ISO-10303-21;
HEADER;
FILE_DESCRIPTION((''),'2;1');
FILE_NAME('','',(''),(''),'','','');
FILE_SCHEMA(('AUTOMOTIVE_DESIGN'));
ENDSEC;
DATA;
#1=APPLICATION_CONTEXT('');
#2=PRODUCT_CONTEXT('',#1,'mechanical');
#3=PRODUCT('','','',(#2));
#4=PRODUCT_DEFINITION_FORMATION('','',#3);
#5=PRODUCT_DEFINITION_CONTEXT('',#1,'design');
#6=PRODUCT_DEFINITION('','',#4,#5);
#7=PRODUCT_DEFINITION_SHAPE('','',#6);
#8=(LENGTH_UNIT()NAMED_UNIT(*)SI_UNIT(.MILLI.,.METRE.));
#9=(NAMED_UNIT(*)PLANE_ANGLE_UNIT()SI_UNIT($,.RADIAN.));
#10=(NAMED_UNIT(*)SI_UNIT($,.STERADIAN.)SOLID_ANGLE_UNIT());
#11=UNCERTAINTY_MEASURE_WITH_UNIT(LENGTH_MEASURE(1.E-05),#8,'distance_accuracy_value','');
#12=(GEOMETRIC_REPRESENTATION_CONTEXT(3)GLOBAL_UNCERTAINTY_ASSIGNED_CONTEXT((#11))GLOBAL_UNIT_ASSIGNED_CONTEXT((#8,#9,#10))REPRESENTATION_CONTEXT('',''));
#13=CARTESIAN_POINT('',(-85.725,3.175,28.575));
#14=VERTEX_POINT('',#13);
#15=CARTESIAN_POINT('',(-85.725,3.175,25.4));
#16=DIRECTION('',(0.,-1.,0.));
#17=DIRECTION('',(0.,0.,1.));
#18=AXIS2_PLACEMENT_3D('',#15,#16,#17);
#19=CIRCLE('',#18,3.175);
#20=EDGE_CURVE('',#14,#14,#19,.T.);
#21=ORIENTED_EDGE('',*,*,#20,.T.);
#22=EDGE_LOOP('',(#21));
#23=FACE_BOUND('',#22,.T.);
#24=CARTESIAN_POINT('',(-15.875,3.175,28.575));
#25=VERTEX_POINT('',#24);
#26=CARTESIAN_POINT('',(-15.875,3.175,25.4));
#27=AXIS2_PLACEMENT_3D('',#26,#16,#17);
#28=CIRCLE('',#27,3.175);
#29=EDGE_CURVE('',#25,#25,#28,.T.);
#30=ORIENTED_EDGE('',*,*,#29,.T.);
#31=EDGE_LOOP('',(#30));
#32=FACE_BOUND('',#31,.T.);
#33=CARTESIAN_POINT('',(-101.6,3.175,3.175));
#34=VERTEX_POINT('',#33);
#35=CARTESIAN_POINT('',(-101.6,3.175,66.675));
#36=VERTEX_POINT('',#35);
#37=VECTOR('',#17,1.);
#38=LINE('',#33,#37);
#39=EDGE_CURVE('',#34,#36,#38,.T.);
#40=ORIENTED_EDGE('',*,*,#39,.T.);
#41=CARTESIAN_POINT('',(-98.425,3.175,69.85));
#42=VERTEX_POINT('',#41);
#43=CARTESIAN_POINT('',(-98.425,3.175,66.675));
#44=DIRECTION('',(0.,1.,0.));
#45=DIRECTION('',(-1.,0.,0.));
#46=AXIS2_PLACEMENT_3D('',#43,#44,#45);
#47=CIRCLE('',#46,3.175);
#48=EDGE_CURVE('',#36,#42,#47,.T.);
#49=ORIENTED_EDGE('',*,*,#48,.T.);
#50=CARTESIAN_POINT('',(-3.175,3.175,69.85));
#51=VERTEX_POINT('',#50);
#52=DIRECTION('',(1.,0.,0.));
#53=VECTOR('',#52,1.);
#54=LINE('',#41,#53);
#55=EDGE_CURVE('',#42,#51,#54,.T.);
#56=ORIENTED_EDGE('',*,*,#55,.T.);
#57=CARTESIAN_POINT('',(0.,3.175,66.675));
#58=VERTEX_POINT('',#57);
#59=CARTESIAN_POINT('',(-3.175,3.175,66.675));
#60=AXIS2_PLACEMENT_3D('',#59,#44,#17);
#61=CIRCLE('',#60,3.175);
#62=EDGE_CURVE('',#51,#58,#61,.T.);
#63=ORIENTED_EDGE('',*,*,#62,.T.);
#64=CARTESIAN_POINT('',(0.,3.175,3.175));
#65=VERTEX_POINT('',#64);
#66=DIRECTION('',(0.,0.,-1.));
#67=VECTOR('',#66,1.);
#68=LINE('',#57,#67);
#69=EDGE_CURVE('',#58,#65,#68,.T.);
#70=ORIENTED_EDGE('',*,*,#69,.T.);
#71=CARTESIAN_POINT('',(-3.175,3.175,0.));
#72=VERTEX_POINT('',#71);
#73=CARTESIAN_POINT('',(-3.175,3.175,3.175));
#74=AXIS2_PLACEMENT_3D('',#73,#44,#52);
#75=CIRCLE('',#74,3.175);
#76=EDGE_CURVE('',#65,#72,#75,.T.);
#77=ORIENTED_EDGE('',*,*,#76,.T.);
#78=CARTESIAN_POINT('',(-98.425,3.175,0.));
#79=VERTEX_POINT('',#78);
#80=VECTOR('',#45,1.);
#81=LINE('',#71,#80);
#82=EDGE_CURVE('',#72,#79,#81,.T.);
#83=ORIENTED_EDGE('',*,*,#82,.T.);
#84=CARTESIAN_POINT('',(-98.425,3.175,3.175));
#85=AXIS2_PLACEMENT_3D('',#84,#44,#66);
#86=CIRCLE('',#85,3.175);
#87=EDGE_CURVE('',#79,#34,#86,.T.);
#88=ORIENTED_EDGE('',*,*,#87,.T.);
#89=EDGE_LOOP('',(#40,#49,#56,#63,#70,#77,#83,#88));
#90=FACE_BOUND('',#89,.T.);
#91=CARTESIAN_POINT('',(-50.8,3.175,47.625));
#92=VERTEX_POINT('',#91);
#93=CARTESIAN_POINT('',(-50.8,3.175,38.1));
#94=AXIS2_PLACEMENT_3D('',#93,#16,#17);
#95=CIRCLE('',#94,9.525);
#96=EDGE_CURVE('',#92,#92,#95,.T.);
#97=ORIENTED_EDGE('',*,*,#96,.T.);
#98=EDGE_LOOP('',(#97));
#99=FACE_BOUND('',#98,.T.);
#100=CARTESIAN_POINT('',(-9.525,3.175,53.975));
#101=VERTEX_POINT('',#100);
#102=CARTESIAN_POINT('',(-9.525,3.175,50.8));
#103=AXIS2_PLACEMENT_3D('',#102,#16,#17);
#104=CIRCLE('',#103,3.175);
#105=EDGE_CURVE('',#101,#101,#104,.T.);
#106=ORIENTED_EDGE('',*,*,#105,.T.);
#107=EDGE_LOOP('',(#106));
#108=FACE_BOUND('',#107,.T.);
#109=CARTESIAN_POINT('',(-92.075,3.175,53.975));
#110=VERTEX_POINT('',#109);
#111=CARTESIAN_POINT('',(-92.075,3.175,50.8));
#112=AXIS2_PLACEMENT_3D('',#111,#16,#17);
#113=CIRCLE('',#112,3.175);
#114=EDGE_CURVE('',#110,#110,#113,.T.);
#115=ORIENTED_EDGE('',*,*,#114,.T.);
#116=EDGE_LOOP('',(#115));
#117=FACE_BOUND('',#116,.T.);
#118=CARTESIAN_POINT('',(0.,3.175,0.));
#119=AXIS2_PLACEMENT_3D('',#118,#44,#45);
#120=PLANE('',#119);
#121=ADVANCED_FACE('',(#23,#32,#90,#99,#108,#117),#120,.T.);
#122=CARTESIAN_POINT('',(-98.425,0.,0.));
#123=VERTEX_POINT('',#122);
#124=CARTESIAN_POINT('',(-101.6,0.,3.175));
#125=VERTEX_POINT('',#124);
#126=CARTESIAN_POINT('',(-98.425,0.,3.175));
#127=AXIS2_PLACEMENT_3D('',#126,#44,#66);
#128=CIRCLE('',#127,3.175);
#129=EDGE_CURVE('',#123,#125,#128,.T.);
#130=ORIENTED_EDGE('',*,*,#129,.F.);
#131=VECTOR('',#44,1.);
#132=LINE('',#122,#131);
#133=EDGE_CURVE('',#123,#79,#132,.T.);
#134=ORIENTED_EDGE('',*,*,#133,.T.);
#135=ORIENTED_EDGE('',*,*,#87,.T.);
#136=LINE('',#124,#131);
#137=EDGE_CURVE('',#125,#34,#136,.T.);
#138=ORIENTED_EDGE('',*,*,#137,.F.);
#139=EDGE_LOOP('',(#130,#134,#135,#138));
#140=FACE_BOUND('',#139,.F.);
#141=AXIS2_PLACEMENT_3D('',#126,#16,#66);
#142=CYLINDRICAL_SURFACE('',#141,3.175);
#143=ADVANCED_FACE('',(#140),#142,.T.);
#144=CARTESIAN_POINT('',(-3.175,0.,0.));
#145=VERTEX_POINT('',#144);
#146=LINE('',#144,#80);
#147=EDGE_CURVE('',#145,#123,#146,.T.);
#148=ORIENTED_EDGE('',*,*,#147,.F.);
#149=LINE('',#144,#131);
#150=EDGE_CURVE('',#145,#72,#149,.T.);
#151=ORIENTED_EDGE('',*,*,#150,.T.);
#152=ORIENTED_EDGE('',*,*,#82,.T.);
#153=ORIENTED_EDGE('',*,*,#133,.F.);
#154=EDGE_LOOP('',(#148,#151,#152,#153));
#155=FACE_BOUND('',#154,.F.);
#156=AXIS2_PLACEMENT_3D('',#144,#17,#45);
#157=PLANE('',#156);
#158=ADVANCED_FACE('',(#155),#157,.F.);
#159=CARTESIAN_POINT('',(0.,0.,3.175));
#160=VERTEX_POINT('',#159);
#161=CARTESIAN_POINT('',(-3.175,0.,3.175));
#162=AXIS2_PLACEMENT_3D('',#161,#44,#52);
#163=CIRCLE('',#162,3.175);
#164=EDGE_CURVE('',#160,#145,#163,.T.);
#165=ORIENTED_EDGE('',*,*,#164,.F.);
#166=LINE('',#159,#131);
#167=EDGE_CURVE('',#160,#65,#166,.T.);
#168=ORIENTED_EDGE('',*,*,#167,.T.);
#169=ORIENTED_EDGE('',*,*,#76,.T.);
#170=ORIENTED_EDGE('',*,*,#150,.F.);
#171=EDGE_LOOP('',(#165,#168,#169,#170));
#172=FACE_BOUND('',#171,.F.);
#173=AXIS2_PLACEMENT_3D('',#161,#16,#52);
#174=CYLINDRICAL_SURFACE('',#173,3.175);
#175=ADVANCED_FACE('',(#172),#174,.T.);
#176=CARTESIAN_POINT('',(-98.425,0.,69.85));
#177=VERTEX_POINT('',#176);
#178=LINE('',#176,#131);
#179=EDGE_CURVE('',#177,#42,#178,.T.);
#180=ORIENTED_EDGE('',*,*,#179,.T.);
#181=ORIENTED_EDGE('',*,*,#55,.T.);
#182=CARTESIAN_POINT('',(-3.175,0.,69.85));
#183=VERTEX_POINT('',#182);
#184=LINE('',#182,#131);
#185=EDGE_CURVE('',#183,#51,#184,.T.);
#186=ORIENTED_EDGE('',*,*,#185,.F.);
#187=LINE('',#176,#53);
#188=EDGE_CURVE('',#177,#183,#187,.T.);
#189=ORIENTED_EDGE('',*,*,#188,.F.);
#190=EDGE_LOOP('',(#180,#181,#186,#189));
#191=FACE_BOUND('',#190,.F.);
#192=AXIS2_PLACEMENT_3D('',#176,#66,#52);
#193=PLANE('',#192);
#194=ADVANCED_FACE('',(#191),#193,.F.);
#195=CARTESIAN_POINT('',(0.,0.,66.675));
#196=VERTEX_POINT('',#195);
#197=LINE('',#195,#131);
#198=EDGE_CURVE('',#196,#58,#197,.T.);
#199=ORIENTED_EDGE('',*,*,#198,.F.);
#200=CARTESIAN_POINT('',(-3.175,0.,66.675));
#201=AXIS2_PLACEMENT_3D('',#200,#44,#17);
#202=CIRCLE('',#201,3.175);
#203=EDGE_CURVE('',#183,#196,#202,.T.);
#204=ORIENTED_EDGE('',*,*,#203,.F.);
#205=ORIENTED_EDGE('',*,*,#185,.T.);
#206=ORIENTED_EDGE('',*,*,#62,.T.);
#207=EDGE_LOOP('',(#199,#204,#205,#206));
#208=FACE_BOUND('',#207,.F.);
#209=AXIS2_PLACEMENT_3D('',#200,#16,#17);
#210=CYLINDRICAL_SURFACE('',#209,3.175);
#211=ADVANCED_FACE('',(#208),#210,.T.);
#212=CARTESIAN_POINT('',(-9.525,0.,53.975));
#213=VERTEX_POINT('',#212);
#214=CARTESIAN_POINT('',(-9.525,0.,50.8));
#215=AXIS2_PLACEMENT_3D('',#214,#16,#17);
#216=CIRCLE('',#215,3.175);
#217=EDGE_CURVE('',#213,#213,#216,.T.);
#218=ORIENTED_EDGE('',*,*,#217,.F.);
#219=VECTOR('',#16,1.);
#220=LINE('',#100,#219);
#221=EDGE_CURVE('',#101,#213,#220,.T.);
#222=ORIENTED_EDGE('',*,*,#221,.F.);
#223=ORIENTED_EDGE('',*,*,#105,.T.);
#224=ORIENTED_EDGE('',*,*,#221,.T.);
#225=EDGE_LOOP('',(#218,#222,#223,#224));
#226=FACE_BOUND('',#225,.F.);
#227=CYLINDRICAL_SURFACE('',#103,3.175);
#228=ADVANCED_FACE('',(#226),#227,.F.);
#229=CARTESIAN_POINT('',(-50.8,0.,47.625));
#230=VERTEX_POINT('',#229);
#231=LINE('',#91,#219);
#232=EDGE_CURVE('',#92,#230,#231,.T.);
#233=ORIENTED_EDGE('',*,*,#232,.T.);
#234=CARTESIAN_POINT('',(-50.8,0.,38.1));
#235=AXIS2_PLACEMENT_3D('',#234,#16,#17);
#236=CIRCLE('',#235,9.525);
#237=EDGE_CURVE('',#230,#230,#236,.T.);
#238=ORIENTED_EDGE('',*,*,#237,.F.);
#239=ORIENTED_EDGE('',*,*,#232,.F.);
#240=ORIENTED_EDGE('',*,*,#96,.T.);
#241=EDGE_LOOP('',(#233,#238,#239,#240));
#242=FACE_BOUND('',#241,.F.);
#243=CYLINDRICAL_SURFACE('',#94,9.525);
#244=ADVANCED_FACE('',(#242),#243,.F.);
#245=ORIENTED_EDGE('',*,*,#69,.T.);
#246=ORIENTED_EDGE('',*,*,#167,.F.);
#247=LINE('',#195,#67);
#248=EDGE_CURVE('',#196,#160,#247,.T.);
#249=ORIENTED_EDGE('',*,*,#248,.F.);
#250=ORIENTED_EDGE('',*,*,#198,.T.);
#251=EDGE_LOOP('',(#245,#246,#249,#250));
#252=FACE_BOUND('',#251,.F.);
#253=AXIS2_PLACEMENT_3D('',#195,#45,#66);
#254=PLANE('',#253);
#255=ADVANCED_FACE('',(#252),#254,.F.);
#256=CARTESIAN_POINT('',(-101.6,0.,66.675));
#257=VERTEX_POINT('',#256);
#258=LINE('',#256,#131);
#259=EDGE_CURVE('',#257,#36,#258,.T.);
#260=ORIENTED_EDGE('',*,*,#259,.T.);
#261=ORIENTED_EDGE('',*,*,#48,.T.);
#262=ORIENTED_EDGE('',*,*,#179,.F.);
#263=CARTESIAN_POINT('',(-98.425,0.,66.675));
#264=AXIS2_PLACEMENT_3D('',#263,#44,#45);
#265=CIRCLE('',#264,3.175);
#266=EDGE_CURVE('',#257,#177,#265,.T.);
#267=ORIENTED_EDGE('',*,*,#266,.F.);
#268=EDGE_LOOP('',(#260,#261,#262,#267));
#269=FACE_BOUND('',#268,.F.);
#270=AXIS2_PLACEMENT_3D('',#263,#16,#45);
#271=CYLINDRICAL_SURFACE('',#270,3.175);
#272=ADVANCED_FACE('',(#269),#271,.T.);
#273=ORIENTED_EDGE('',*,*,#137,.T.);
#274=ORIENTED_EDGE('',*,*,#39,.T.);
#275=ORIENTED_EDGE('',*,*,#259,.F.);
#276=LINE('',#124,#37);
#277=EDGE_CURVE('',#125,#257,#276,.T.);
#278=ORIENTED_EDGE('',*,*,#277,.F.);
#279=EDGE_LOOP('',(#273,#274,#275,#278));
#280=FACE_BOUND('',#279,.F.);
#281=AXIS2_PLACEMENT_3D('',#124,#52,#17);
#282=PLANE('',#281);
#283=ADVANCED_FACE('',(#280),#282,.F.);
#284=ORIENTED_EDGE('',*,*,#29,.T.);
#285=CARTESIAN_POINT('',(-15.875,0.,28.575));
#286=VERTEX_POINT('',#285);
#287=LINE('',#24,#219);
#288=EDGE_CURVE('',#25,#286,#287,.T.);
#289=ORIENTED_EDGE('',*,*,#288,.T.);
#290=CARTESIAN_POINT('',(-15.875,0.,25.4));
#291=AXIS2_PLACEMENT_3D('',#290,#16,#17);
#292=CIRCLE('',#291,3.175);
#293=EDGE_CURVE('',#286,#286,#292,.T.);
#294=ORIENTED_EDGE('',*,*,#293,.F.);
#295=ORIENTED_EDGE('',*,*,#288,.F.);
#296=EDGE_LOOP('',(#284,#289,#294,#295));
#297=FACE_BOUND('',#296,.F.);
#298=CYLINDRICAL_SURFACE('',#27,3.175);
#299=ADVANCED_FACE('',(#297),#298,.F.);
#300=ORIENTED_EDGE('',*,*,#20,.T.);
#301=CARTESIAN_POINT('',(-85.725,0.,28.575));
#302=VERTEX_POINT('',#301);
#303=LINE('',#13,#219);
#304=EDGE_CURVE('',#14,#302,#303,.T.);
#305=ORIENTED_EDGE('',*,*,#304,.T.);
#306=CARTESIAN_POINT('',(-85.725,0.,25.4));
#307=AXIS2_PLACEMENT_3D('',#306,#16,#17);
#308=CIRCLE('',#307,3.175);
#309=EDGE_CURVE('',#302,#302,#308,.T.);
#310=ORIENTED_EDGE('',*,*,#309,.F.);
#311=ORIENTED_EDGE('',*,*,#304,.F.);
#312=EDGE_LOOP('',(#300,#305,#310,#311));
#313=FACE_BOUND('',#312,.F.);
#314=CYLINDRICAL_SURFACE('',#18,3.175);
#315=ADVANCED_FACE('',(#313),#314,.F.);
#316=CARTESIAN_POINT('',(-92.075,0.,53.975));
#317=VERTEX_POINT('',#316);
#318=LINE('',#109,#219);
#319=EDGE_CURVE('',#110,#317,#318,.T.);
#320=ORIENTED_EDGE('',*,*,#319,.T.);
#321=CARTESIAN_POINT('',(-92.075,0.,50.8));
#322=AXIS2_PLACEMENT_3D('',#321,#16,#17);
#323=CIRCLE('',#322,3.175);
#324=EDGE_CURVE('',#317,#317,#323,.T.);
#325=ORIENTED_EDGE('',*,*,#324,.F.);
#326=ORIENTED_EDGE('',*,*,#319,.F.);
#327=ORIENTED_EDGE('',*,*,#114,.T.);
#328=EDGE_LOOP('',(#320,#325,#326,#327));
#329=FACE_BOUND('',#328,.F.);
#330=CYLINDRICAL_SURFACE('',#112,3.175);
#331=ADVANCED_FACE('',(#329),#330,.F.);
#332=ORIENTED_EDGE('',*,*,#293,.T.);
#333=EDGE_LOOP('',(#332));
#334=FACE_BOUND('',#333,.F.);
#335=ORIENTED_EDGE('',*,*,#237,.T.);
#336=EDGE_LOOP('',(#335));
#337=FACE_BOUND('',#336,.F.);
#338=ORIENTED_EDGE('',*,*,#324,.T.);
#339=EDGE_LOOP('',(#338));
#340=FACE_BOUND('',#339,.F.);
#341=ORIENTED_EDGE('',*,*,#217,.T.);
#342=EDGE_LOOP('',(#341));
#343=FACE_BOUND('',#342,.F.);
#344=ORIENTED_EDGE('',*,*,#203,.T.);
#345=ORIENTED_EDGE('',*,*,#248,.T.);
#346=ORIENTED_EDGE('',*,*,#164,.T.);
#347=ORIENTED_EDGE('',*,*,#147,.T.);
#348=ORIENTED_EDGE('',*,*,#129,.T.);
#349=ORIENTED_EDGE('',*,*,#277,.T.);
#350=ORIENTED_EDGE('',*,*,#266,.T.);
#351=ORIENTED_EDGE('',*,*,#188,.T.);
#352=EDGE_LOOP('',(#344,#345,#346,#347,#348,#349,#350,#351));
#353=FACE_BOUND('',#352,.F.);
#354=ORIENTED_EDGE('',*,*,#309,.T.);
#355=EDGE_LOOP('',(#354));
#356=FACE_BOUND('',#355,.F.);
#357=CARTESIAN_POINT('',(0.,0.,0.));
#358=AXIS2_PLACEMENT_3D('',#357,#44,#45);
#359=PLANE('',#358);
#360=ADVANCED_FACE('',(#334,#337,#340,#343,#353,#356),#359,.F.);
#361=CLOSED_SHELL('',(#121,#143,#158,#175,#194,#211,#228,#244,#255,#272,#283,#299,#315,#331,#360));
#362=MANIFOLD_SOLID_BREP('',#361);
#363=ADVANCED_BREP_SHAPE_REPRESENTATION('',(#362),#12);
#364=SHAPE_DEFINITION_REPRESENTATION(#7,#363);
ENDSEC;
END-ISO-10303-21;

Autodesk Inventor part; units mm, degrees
ref_plane "YZ Plane" through (0, 0, 0) normal (1, 0, 0) x (0, 1, 0)
ref_plane "XZ Plane" through (0, 0, 0) normal (0, 1, 0) x (-1, 0, 0)
ref_plane "XY Plane" through (0, 0, 0) normal (0, 0, 1) x (1, 0, 0)
sketch "Sketch1" plane through (0, 0, 0) normal (0, 1, 0) x (-1, 0, 0)
  line L0 (3.175, 0) -> (98.425, 0)
  line L1 (101.6, 3.175) -> (101.6, 66.675)
  line L2 (98.425, 69.85) -> (3.175, 69.85)
  line L3 (0, 66.675) -> (0, 3.175)
  arc A0 (3.175, 69.85) -> (0, 66.675) centre (3.175, 66.675) ccw
  arc A1 (101.6, 66.675) -> (98.425, 69.85) centre (98.425, 66.675) ccw
  arc A2 (98.425, 0) -> (101.6, 3.175) centre (98.425, 3.175) ccw
  arc A3 (0, 3.175) -> (3.175, 0) centre (3.175, 3.175) ccw
  point P0 (0, 0)
  point P1 (101.6, 69.85)
  point P2 (101.6, 0)
  point P3 (0, 69.85)
  dimension "d0" = 101.6
  dimension "d1" = 69.85
  dimension "d13" = 3.175
extrude "Extrusion1" add sketch "Sketch1" along normal blind 3.175
sketch "Sketch2" plane through (0, 3.175, 0) normal (0, 1, 0) x (1, 0, 0)
  line L0 (-3.175, 0) -> (-98.425, 0) projected
  line L1 (-101.6, -3.175) -> (-101.6, -66.675) projected
  line L2 (0, -66.675) -> (0, -3.175) projected
  point P0 (0, 0)
  point P1 (-76.2, 0)
  point P2 (-76.2, -76.2)
  point P3 (-50.8, -38.1)
  dimension "d4" = 50.8
  dimension "d5" = 38.1
  dimension "d29" = 50.8
hole "Hole1" at (-50.8, 3.175, 38.1) direction (0, -1, 0) diameter 19.05 end through all
sketch "Sketch3" plane through (0, 3.175, 0) normal (0, 1, 0) x (1, 0, 0)
  line L0 (0, -66.675) -> (0, -3.175) projected
  line L1 (-101.6, -3.175) -> (-101.6, -66.675) projected
  circle A0 centre (-50.8, -38.1) radius 9.525 projected
  point P0 (0, 0)
  point P1 (-85.725, -25.4)
  point P2 (-15.875, -25.4)
  point P3 (-9.525, -50.8)
  point P4 (-92.075, -50.8)
  dimension "d30" = 6.35
  dimension "d33" = 25.4
  dimension "d36" = 9.525
  dimension "d37" = 9.525
  dimension "d38" = 6.35
  dimension "d39" = 12.7
  dimension "d40" = 82.55
hole "Hole2" at (-85.725, 3.175, 25.4) at (-15.875, 3.175, 25.4) at (-9.525, 3.175, 50.8) at (-92.075, 3.175, 50.8) direction (0, -1, 0) diameter 6.35 end through all
equation "\"d4\" = d29"
equation "\"d36\" = d37"
equation "\"d38\" = d30"
properties part number "motorMount"
